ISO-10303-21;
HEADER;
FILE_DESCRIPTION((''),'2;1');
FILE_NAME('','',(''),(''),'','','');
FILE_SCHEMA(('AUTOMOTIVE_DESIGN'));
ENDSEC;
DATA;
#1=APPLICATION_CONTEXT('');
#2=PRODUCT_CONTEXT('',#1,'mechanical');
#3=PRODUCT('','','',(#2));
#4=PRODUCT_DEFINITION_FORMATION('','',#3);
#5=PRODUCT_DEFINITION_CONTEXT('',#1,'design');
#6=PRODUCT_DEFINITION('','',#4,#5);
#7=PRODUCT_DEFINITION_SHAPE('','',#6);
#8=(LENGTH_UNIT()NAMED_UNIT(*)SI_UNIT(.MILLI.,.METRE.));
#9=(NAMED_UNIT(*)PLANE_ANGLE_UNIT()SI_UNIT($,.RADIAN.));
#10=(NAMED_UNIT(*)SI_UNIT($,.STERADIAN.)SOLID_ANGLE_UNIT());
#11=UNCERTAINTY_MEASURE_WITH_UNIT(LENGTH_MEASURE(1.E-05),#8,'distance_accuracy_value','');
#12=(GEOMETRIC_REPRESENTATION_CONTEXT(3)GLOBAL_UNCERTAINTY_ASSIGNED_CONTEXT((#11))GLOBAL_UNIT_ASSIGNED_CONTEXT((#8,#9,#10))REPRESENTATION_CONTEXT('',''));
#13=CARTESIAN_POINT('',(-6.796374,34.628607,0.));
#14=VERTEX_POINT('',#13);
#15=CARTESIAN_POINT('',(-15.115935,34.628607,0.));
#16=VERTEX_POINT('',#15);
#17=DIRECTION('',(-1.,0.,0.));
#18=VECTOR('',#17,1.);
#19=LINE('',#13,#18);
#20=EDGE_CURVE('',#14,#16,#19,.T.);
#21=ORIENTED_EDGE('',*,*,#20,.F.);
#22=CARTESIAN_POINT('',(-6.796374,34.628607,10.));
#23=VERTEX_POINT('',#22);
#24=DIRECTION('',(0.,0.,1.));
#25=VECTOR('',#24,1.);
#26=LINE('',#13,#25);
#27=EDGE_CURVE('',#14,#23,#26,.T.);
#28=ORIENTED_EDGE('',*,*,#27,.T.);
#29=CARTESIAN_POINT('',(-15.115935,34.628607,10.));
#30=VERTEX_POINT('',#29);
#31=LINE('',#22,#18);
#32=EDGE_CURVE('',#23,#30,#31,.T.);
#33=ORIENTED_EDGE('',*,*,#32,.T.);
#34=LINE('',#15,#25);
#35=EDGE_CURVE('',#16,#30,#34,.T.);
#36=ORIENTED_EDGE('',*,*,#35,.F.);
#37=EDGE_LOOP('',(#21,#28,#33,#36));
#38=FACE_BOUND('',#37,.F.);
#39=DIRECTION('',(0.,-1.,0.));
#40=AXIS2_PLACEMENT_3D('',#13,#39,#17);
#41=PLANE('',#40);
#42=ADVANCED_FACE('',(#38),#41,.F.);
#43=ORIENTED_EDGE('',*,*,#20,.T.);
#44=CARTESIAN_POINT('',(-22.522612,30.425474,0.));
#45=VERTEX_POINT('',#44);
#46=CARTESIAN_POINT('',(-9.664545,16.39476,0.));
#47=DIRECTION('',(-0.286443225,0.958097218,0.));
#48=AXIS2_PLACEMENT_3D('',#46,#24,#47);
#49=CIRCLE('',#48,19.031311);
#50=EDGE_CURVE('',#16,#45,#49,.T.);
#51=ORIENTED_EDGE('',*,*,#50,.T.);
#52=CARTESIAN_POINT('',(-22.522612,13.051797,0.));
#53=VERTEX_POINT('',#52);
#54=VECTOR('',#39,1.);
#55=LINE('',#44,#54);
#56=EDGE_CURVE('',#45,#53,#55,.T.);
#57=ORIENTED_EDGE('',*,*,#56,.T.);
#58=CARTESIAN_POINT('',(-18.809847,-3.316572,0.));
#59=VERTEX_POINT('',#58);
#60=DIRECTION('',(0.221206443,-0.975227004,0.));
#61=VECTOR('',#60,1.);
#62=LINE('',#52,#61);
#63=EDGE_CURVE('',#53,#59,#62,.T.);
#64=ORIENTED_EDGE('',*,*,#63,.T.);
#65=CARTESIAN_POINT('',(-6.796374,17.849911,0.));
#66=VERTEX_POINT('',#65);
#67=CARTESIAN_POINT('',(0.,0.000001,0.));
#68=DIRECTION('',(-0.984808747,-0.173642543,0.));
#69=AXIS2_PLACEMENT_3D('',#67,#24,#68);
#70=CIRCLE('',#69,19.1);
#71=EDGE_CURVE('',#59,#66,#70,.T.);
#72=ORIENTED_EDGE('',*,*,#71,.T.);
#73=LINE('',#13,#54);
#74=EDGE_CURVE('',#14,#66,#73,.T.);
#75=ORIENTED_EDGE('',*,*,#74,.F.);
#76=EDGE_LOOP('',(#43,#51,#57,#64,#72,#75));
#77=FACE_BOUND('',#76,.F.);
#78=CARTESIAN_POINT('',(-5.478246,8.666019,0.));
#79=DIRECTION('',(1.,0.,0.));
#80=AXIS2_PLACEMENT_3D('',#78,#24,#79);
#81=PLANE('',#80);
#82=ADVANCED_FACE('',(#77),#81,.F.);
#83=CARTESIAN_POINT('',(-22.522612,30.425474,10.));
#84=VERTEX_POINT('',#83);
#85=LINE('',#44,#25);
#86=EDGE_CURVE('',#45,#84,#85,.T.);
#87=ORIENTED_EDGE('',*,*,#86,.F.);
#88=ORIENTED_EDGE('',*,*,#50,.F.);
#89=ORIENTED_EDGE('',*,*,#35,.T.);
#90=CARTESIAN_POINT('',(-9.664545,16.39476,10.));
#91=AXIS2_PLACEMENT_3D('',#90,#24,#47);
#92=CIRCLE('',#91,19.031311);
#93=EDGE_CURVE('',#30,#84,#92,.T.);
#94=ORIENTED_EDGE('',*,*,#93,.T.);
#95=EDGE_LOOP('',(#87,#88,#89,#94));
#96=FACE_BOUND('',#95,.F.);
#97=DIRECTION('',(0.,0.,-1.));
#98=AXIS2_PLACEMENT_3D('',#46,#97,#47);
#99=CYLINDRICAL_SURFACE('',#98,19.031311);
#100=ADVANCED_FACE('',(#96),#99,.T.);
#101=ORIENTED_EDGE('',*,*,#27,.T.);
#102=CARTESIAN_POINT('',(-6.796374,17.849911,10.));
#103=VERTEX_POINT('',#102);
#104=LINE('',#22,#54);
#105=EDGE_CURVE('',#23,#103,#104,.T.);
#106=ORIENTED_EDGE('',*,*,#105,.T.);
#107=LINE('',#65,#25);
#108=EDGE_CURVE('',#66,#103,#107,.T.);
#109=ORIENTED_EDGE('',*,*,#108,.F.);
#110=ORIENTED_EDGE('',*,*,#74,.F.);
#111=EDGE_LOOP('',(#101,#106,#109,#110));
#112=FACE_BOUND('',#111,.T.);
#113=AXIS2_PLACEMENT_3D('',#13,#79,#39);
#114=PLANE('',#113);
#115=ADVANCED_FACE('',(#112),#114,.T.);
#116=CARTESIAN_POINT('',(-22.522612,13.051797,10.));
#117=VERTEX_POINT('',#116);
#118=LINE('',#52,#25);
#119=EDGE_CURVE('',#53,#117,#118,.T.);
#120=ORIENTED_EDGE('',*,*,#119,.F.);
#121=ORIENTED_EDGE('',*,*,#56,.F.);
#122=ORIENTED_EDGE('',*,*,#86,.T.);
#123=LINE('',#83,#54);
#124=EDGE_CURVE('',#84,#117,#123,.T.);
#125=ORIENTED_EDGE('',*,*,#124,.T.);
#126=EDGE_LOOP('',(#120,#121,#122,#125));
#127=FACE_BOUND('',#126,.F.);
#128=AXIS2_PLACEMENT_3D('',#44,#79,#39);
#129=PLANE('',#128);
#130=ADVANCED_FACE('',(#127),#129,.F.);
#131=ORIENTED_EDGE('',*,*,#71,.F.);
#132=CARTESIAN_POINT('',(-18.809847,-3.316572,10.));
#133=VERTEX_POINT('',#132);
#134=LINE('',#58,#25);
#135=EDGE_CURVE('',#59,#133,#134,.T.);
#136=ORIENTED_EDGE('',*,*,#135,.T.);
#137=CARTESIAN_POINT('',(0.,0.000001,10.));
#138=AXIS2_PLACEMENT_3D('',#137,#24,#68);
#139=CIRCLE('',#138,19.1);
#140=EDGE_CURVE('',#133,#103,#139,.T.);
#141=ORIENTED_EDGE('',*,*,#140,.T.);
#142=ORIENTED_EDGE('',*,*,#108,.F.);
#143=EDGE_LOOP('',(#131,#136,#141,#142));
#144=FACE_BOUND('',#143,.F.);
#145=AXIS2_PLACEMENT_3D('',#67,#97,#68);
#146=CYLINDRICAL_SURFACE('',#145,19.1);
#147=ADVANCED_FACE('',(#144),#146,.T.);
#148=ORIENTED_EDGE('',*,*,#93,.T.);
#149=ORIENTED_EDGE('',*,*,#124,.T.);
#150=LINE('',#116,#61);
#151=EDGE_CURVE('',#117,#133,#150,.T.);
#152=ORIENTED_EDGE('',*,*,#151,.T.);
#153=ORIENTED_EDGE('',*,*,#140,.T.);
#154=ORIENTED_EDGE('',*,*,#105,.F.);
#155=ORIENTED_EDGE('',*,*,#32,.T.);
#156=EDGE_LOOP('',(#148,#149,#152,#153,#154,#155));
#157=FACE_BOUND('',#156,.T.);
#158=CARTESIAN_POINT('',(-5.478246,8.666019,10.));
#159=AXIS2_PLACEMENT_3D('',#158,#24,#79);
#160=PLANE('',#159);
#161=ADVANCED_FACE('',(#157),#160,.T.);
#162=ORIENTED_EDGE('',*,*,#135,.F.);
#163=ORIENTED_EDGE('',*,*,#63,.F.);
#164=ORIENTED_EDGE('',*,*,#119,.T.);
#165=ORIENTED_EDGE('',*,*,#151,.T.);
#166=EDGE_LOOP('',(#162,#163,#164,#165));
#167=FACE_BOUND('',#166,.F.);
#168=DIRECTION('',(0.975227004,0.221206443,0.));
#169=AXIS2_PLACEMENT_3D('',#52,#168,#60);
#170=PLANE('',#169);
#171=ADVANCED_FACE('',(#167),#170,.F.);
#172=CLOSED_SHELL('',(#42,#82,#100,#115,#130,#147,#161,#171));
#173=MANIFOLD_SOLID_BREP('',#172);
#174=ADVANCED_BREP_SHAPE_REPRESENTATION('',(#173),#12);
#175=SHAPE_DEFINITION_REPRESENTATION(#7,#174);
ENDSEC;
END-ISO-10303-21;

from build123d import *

# Parameters (mm, degrees)
PAD_DEPTH = 10


with BuildPart() as part:
    # Sketch002 → Pad (new body)
    with BuildSketch(Plane.XY):
        with BuildLine():
            ThreePointArc((-18.809847, -3.316572), (16.610979, -9.427904), (-6.796374, 17.849911))
            Line((-6.796374, 34.628607), (-6.796374, 17.849911))
            Line((-6.796374, 34.628607), (-15.115935, 34.628607))
            ThreePointArc((-15.115935, 34.628607), (-19.057395, 32.946654), (-22.522612, 30.425474))
            Line((-22.522612, 30.425474), (-22.522612, 13.051797))
            Line((-22.522612, 13.051797), (-18.809847, -3.316572))
        make_face()
    extrude(amount=PAD_DEPTH)


solid = part.part
